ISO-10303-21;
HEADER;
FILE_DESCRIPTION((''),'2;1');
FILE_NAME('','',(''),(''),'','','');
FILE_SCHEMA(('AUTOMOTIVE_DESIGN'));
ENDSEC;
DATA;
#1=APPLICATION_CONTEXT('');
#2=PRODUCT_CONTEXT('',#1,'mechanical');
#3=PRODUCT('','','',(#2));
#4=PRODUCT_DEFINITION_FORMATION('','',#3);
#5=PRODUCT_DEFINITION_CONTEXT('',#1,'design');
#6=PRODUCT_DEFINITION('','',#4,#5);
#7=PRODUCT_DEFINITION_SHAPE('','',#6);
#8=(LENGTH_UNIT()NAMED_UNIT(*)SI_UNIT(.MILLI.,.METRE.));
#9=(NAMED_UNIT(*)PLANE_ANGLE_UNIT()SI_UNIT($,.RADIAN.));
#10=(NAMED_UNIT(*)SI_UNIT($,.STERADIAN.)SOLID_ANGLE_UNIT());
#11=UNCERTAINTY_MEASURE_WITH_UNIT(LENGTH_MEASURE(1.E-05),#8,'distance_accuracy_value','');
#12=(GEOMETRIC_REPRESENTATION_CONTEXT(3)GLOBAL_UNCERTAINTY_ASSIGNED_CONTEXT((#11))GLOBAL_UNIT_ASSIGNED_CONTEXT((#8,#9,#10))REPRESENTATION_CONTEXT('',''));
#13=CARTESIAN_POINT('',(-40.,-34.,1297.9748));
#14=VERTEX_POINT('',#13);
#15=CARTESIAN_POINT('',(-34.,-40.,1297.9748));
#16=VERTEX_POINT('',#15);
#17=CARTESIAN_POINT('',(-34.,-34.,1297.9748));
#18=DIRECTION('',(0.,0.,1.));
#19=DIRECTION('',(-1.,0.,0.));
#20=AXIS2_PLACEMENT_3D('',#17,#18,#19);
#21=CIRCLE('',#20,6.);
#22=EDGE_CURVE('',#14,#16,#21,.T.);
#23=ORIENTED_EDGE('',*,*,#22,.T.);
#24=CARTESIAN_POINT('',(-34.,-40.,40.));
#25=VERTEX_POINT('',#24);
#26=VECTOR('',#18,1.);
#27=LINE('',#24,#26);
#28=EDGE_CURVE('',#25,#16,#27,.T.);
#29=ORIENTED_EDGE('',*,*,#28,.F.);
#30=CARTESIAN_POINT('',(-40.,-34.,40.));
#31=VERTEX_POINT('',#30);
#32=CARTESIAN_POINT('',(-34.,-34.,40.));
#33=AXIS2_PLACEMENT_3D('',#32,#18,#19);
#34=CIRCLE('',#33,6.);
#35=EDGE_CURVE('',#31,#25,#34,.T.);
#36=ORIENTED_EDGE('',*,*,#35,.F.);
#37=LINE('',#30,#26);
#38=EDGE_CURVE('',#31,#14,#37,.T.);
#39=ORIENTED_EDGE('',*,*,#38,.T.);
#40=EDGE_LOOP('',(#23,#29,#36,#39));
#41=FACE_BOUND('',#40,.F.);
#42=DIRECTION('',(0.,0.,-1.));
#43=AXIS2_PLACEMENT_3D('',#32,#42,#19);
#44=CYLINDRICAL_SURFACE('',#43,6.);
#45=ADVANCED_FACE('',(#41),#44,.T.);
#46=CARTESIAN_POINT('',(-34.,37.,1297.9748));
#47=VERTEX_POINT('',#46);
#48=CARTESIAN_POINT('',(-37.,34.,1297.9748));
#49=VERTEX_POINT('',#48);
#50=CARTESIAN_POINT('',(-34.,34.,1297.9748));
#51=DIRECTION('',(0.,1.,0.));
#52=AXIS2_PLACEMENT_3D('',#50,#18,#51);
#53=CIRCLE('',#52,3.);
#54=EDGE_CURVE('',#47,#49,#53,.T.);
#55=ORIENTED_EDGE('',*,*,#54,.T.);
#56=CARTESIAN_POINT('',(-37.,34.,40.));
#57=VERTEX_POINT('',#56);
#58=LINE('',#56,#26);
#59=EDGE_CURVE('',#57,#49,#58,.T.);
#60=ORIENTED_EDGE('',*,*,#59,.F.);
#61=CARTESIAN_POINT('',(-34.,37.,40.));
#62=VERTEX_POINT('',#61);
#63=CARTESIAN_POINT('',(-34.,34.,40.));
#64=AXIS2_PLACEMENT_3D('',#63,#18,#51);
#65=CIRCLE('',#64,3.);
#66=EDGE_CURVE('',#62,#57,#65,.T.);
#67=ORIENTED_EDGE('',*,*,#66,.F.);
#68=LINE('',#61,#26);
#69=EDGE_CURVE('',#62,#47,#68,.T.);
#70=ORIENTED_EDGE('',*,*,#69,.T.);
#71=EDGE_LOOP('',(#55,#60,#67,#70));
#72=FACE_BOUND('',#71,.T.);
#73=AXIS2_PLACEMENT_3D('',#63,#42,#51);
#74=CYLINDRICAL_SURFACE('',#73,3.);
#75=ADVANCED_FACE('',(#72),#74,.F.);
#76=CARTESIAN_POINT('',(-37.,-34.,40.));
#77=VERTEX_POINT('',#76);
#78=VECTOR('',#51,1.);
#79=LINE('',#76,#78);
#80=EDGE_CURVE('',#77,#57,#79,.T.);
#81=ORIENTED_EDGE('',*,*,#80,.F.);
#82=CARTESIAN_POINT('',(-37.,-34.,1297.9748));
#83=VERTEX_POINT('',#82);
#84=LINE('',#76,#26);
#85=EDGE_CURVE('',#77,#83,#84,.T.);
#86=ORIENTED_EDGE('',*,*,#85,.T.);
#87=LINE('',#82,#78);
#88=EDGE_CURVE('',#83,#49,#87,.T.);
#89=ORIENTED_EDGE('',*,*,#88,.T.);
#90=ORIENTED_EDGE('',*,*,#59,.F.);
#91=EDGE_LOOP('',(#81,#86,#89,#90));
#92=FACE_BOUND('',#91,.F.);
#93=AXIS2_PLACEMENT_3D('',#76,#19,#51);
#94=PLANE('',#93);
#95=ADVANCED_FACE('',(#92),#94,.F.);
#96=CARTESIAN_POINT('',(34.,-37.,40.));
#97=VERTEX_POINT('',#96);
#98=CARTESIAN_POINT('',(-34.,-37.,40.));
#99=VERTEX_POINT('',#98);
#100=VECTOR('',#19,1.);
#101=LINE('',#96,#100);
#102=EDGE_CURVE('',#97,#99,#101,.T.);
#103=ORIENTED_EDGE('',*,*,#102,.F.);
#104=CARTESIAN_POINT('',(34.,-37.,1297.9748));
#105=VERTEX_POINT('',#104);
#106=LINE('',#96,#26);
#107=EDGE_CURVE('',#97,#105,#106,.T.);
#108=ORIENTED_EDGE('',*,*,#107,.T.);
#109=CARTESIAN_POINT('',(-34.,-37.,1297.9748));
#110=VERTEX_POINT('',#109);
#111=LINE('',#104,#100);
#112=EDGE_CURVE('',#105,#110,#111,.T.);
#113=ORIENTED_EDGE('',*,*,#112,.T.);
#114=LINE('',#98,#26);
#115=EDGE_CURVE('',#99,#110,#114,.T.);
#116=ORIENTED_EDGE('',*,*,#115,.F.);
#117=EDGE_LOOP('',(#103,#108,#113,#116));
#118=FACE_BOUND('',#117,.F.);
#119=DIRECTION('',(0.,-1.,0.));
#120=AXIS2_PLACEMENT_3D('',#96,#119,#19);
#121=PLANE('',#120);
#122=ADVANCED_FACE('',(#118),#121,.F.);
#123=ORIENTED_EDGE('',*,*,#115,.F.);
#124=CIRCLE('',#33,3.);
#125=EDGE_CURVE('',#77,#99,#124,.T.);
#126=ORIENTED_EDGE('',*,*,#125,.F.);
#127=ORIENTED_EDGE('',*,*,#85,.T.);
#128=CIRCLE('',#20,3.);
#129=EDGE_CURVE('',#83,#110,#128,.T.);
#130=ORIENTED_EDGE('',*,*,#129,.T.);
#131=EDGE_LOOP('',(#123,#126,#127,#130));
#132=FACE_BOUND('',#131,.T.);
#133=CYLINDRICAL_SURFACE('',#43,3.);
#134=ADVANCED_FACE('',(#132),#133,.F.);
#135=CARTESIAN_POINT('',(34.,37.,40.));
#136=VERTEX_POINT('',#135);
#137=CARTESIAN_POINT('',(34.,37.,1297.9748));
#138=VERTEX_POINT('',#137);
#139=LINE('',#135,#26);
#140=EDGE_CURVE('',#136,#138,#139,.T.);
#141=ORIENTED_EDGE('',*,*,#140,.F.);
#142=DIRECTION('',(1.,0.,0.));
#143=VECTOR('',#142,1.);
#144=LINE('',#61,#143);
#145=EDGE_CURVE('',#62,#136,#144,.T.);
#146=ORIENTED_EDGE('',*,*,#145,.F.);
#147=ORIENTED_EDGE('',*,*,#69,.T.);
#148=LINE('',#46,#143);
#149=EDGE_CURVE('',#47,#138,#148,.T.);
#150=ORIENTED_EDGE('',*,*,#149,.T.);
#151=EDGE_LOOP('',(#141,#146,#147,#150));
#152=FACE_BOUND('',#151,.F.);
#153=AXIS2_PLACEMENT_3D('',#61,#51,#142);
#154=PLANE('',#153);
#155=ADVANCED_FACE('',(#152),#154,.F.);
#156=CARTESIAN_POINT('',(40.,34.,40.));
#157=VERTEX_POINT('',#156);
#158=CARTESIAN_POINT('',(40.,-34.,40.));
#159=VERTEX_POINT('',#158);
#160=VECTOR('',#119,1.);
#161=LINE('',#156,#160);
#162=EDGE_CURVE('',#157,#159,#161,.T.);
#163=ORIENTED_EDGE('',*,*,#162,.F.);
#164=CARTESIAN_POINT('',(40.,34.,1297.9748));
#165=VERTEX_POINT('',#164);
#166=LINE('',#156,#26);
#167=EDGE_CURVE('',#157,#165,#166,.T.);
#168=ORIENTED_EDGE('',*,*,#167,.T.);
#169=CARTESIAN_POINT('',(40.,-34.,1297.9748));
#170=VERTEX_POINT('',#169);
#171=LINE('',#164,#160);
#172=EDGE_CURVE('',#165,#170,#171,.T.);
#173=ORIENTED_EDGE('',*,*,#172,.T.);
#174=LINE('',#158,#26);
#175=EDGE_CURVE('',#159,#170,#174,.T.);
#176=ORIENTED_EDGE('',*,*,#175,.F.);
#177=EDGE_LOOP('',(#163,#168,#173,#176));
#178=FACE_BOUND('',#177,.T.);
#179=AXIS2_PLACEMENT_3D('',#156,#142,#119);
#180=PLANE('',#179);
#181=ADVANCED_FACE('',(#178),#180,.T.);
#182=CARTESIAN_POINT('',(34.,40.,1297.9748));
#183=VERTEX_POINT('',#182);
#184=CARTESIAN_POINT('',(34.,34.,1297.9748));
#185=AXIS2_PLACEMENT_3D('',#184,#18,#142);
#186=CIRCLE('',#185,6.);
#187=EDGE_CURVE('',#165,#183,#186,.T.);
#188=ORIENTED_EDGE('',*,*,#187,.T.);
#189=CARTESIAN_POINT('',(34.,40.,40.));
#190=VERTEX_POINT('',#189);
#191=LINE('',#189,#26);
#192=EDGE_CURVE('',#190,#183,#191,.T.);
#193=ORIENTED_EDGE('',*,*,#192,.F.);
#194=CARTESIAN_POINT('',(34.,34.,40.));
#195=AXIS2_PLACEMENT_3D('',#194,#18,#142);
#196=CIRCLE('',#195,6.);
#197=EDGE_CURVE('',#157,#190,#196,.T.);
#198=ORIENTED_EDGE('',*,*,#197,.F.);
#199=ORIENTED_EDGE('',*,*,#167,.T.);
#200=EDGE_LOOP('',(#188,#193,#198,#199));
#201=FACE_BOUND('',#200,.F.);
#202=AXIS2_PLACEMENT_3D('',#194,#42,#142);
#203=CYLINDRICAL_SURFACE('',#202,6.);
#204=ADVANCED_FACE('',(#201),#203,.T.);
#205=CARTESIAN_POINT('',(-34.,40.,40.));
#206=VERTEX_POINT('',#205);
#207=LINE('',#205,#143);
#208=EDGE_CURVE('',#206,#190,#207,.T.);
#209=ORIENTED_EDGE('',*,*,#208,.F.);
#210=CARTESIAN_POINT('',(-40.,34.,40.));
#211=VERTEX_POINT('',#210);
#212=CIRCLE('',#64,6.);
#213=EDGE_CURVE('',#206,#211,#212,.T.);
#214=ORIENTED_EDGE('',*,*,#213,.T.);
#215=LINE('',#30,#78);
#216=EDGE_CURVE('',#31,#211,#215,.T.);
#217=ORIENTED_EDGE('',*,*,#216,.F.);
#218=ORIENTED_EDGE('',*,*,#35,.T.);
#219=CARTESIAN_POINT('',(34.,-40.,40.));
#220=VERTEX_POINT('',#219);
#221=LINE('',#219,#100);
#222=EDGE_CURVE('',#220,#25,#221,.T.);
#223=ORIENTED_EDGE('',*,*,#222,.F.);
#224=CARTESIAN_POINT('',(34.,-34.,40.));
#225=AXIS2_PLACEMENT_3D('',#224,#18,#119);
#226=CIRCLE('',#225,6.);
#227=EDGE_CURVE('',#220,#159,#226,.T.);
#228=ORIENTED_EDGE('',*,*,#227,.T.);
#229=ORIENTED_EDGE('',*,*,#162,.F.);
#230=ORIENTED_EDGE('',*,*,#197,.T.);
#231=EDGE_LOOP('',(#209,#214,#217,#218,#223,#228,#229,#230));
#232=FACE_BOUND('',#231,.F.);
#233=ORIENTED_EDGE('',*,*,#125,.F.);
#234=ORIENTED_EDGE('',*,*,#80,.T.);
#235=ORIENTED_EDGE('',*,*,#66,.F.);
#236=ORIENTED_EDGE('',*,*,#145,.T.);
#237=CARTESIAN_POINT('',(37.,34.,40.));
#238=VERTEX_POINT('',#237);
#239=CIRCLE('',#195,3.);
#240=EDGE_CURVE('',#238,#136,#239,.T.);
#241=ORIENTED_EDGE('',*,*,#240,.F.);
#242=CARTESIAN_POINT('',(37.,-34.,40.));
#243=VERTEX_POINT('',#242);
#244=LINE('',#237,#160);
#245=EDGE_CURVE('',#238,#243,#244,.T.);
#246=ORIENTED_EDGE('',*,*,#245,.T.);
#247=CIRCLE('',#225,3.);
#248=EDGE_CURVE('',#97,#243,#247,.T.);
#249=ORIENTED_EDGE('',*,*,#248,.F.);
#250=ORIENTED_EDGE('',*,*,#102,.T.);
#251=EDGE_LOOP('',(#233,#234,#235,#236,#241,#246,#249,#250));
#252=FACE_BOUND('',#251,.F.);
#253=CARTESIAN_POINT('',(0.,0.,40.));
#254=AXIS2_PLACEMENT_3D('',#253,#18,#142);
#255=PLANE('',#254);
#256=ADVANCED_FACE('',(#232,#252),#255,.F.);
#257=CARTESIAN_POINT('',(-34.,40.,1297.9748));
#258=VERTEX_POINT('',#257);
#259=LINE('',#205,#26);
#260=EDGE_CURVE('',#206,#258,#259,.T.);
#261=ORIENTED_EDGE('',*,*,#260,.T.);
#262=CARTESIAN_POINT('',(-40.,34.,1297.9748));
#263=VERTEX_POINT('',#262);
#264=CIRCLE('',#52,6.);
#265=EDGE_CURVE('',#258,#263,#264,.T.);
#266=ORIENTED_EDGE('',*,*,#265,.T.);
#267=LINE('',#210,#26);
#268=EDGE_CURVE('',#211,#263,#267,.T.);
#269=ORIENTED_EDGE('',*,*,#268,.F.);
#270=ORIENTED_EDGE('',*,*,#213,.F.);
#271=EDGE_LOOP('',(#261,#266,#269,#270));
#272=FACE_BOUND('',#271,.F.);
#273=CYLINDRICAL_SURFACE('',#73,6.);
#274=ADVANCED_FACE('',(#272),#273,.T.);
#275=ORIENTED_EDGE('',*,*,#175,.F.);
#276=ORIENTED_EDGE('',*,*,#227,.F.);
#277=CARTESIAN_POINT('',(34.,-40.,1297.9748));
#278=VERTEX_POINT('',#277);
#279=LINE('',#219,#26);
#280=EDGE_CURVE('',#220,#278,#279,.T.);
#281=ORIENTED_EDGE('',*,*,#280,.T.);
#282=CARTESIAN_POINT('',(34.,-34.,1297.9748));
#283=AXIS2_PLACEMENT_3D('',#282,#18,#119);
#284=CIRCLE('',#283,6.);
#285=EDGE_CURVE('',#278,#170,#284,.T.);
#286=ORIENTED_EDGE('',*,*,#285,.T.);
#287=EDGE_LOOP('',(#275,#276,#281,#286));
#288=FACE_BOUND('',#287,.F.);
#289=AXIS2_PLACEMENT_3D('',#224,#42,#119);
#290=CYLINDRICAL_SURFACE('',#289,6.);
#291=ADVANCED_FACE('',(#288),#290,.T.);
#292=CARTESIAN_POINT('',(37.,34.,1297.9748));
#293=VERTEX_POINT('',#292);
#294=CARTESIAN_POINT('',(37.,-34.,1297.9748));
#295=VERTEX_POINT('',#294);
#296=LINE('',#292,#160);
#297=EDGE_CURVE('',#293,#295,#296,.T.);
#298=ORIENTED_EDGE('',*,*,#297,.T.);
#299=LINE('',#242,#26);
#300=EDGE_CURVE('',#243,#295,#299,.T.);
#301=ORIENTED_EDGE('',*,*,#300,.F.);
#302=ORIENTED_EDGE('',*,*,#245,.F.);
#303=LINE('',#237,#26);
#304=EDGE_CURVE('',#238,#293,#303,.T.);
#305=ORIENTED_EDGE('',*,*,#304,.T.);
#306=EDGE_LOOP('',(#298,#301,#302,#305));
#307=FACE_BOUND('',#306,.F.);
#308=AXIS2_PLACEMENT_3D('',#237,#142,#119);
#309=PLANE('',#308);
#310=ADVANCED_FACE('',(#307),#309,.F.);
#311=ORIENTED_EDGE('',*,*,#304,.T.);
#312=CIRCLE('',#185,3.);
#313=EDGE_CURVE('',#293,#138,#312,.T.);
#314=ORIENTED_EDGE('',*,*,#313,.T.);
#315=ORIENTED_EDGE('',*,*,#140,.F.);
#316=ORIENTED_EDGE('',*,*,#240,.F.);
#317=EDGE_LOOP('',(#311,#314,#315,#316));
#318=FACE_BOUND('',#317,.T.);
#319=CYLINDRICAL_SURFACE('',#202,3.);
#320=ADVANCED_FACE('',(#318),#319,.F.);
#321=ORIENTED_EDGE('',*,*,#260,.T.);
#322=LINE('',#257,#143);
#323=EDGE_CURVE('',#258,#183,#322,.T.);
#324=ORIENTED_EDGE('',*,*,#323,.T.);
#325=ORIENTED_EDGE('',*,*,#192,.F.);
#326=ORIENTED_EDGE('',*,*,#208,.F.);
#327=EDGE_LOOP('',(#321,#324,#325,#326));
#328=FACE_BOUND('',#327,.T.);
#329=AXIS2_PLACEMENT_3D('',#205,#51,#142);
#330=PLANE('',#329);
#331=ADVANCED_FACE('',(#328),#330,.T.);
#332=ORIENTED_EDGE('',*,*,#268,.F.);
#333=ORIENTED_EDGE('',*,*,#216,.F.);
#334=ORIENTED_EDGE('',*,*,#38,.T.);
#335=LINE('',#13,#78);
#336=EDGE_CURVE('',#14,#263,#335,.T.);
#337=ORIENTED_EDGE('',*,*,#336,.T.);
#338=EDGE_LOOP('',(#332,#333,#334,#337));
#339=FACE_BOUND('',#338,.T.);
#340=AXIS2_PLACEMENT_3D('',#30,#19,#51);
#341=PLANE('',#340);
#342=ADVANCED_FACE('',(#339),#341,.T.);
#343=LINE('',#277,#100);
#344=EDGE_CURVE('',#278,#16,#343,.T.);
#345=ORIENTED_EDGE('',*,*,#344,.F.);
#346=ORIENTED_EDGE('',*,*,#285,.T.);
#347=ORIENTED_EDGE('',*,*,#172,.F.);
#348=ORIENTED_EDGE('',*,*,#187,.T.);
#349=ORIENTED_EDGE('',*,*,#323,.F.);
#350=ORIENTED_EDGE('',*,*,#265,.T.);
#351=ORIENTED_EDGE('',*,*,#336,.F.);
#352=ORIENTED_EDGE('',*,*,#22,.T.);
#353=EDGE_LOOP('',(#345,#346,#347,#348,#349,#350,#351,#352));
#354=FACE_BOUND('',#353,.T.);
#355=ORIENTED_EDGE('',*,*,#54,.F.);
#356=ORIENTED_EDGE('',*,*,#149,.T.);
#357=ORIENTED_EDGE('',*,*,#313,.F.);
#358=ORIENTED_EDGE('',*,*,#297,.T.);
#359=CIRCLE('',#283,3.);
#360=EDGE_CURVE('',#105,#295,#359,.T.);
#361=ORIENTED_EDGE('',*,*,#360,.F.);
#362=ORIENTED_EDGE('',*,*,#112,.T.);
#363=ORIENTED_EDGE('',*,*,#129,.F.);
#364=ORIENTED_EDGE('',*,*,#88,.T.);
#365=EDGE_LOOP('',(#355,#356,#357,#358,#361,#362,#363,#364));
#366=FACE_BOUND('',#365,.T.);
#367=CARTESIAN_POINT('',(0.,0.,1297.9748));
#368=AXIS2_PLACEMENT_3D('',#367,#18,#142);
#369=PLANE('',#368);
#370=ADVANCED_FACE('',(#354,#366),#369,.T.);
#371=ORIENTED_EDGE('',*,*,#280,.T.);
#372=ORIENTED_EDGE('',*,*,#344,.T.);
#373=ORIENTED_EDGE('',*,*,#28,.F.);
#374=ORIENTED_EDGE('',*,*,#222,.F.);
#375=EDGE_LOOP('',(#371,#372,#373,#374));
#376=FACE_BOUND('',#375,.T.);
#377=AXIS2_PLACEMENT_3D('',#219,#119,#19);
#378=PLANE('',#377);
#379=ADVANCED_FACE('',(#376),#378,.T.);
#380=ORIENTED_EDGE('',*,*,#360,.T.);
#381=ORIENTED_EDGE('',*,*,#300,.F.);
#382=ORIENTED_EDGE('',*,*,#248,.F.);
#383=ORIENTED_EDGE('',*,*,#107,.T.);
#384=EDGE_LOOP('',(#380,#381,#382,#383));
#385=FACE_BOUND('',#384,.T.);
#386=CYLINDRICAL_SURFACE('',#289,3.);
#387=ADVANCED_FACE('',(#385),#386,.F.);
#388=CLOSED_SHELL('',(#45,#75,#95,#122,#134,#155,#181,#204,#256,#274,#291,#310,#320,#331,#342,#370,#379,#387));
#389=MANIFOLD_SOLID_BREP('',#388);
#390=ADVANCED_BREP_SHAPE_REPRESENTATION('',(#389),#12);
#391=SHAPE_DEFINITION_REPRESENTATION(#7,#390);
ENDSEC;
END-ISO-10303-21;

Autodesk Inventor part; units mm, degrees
ref_plane "YZ Plane" through (0, 0, 0) normal (1, 0, 0) x (0, 1, 0)
ref_plane "Start Plane" through (0, 0, 40) normal (0, 0, 1) x (1, 0, 0)
ref_plane "End Plane" through (0, 0, 1297.9748) normal (0, 0, 1) x (1, 0, 0)
sketch "Sketch" plane through (0, 0, 0) normal (0, 0, 1) x (1, 0, 0)
  line L0 (-40, -34) -> (-40, 34)
  line L1 (-34, 40) -> (34, 40)
  line L2 (40, 34) -> (40, -34)
  line L3 (34, -40) -> (-34, -40)
  arc A0 (-40, -34) -> (-34, -40) centre (-34, -34) ccw
  arc A1 (40, 34) -> (34, 40) centre (34, 34) ccw
  arc A2 (-34, 40) -> (-40, 34) centre (-34, 34) ccw
  arc A3 (34, -40) -> (40, -34) centre (34, -34) ccw
  arc A4 (-34, 37) -> (-37, 34) centre (-34, 34) ccw
  line L4 (-34, 37) -> (34, 37)
  arc A5 (37, 34) -> (34, 37) centre (34, 34) ccw
  line L5 (37, 34) -> (37, -34)
  arc A6 (34, -37) -> (37, -34) centre (34, -34) ccw
  line L6 (34, -37) -> (-34, -37)
  arc A7 (-37, -34) -> (-34, -37) centre (-34, -34) ccw
  line L7 (-37, -34) -> (-37, 34)
  line L8 (0, 57.7397) -> (0, -57.7397) construction
  line L9 (-57.7397, 0) -> (57.7397, 0) construction
  dimension "d7" = 6
  dimension "d9" = 80
  dimension "d11" = 80
  dimension "d12" = 3
  dimension "d15" = 40
  dimension "d16" = 40
extrude "Body" add sketch "Sketch" along normal up to surface (1257.9748 mm away) from surface at 40
sketch "Sketch3" plane through (0, 0, 0) normal (0, 0, 1) x (1, 0, 0)
  line L0 (0, 0) -> (10, 0)
ref_plane "Work Plane3" through (0, 0, 0) normal (0, -1, 0) x (1, 0, 0)
sketch "Sketch4" plane through (0, 0, 0) normal (0, -1, 0) x (1, 0, 0)
  line L0 (-2, 40) -> (12, 40) projected
  line L1 (-2, 1297.9748) -> (12, 1297.9748) projected
  dimension "d18" = 1257.9748
equation "\"d7\" = G_IR"
equation "\"d9\" = G_W"
equation "\"d11\" = G_H"
equation "\"d12\" = G_T"
equation "\"d15\" = 0.5 * d9"
equation "\"d16\" = 0.5 * d11"
equation "\"d3\" = G_L"
equation "\"G_W\" = 80"
equation "\"G_H\" = 80"
equation "\"G_T\" = 3"
equation "\"G_IR\" = 6"
equation "\"G_L\" = d18"
equation "\"d14\" = G_OFFSET_END + B_L"
equation "\"B_L\" = 1337.9748"
equation "\"G_OFFSET_END\" = -40"
properties part number "ISO 10799-2 - 80x80x3 - 1257,97" material "Steel, Mild"
